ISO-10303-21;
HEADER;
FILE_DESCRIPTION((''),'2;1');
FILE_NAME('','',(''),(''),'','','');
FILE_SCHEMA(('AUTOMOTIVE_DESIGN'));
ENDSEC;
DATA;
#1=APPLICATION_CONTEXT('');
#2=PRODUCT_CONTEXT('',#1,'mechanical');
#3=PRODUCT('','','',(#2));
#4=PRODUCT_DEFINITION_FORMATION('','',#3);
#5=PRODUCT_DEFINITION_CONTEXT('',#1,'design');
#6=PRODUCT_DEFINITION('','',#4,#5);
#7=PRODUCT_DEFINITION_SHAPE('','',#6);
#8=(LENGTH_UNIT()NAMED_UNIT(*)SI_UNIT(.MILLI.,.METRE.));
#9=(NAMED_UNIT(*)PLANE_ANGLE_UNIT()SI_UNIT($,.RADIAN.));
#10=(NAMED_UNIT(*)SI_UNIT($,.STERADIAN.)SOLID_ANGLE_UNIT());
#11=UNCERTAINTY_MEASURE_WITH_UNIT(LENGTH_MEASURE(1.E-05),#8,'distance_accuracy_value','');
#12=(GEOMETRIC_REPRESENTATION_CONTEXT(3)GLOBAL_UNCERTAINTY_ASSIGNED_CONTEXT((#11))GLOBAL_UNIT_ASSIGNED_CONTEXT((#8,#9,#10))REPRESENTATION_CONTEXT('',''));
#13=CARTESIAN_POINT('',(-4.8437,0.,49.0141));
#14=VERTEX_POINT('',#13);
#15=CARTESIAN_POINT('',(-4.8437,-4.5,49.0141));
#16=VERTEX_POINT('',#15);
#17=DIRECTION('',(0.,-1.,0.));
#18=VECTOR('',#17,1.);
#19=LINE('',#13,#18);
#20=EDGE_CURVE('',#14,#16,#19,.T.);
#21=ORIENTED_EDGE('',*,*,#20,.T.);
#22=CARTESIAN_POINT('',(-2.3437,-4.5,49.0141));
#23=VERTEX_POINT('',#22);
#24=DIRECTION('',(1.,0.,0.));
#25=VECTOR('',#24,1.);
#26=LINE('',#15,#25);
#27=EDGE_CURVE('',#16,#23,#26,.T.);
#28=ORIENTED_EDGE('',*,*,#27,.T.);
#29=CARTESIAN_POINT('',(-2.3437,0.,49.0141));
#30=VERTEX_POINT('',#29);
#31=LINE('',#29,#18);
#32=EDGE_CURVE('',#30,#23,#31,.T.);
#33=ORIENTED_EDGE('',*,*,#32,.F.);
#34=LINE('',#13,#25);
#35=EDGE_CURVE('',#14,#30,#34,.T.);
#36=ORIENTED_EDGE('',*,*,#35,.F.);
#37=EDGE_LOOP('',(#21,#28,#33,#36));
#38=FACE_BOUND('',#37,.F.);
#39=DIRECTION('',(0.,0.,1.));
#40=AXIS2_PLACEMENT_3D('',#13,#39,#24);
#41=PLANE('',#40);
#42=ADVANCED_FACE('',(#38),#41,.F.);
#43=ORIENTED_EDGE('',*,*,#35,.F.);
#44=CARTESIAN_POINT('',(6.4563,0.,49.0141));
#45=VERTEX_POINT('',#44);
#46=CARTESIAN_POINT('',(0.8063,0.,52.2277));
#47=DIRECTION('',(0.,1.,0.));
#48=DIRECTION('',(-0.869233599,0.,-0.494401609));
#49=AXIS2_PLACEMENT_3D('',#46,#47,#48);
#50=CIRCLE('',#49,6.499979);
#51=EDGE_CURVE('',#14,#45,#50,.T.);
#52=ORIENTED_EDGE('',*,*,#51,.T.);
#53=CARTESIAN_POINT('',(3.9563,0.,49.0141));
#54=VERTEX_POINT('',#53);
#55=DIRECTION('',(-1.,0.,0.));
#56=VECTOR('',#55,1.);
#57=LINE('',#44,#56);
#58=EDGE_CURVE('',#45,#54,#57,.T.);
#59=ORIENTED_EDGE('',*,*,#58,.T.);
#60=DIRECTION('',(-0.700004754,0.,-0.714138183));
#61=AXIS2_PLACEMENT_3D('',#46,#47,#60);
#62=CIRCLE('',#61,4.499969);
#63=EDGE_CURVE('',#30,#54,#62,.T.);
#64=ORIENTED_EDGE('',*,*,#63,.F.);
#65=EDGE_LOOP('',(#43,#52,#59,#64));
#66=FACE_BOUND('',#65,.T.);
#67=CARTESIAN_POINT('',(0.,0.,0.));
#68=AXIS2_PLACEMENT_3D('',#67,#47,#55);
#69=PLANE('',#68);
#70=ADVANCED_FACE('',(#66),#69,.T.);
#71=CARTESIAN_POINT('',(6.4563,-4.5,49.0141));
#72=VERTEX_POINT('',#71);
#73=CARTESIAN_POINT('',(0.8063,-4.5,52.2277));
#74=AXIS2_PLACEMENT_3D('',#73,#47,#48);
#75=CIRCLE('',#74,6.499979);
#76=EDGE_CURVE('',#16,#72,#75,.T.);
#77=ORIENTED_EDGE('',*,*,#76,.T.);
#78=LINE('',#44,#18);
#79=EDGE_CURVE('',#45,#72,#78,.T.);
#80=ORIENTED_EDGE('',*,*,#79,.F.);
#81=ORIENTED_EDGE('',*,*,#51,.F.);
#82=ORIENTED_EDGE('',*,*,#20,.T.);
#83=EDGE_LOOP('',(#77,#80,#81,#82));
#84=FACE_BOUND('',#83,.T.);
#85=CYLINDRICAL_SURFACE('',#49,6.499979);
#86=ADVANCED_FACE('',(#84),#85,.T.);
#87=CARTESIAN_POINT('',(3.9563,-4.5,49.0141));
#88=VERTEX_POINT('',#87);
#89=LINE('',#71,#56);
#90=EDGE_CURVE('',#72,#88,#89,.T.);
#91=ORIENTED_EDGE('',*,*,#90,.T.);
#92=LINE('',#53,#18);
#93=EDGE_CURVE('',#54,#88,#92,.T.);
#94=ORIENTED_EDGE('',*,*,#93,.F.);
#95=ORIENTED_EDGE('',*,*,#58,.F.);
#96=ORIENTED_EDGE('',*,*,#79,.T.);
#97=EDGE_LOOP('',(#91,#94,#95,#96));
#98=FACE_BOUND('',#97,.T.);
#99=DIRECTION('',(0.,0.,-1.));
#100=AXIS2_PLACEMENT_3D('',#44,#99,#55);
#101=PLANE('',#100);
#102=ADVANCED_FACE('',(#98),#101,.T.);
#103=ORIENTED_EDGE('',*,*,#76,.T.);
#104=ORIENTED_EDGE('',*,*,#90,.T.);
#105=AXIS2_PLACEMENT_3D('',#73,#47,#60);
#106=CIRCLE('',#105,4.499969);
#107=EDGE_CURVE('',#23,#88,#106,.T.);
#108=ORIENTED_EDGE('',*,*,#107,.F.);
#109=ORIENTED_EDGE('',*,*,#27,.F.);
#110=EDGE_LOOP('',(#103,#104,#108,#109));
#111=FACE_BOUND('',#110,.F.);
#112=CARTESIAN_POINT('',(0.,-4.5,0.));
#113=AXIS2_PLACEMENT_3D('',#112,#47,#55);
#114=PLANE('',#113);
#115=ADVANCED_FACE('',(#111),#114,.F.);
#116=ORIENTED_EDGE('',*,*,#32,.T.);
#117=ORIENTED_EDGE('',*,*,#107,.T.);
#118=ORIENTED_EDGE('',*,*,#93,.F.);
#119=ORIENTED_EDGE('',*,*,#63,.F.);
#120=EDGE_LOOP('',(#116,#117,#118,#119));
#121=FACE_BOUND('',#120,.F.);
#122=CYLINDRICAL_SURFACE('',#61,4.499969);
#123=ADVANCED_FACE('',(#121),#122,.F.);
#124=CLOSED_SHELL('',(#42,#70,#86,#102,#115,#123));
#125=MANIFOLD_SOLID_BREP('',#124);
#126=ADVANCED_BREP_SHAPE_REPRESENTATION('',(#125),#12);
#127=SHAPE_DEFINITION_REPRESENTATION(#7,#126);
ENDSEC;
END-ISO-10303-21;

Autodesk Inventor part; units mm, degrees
ref_plane "YZ Plane" through (0, 0, 0) normal (1, 0, 0) x (0, 1, 0)
ref_plane "XY Plane" through (0, 0, 0) normal (0, 0, 1) x (1, 0, 0)
sketch "Sketch1" plane through (0, 0, 0) normal (0, 1, 0) x (-1, 0, 0)
  line L0 (4.8437, 49.0141) -> (2.3437, 49.0141)
  line L1 (-6.4563, 49.0141) -> (-3.9563, 49.0141)
  arc A0 (2.3437, 49.0141) -> (-3.9563, 49.0141) centre (-0.8063, 52.2277) ccw
  arc A1 (4.8437, 49.0141) -> (-6.4563, 49.0141) centre (-0.8063, 52.2277) ccw
  point P0 (0, 0)
  dimension "d0" = 2.5
  dimension "d2" = 4.5
  dimension "d3" = 6.5
extrude "Extrusion1" add sketch "Sketch1" against normal blind 4.5
properties part number "TK_Ding_Ding"
